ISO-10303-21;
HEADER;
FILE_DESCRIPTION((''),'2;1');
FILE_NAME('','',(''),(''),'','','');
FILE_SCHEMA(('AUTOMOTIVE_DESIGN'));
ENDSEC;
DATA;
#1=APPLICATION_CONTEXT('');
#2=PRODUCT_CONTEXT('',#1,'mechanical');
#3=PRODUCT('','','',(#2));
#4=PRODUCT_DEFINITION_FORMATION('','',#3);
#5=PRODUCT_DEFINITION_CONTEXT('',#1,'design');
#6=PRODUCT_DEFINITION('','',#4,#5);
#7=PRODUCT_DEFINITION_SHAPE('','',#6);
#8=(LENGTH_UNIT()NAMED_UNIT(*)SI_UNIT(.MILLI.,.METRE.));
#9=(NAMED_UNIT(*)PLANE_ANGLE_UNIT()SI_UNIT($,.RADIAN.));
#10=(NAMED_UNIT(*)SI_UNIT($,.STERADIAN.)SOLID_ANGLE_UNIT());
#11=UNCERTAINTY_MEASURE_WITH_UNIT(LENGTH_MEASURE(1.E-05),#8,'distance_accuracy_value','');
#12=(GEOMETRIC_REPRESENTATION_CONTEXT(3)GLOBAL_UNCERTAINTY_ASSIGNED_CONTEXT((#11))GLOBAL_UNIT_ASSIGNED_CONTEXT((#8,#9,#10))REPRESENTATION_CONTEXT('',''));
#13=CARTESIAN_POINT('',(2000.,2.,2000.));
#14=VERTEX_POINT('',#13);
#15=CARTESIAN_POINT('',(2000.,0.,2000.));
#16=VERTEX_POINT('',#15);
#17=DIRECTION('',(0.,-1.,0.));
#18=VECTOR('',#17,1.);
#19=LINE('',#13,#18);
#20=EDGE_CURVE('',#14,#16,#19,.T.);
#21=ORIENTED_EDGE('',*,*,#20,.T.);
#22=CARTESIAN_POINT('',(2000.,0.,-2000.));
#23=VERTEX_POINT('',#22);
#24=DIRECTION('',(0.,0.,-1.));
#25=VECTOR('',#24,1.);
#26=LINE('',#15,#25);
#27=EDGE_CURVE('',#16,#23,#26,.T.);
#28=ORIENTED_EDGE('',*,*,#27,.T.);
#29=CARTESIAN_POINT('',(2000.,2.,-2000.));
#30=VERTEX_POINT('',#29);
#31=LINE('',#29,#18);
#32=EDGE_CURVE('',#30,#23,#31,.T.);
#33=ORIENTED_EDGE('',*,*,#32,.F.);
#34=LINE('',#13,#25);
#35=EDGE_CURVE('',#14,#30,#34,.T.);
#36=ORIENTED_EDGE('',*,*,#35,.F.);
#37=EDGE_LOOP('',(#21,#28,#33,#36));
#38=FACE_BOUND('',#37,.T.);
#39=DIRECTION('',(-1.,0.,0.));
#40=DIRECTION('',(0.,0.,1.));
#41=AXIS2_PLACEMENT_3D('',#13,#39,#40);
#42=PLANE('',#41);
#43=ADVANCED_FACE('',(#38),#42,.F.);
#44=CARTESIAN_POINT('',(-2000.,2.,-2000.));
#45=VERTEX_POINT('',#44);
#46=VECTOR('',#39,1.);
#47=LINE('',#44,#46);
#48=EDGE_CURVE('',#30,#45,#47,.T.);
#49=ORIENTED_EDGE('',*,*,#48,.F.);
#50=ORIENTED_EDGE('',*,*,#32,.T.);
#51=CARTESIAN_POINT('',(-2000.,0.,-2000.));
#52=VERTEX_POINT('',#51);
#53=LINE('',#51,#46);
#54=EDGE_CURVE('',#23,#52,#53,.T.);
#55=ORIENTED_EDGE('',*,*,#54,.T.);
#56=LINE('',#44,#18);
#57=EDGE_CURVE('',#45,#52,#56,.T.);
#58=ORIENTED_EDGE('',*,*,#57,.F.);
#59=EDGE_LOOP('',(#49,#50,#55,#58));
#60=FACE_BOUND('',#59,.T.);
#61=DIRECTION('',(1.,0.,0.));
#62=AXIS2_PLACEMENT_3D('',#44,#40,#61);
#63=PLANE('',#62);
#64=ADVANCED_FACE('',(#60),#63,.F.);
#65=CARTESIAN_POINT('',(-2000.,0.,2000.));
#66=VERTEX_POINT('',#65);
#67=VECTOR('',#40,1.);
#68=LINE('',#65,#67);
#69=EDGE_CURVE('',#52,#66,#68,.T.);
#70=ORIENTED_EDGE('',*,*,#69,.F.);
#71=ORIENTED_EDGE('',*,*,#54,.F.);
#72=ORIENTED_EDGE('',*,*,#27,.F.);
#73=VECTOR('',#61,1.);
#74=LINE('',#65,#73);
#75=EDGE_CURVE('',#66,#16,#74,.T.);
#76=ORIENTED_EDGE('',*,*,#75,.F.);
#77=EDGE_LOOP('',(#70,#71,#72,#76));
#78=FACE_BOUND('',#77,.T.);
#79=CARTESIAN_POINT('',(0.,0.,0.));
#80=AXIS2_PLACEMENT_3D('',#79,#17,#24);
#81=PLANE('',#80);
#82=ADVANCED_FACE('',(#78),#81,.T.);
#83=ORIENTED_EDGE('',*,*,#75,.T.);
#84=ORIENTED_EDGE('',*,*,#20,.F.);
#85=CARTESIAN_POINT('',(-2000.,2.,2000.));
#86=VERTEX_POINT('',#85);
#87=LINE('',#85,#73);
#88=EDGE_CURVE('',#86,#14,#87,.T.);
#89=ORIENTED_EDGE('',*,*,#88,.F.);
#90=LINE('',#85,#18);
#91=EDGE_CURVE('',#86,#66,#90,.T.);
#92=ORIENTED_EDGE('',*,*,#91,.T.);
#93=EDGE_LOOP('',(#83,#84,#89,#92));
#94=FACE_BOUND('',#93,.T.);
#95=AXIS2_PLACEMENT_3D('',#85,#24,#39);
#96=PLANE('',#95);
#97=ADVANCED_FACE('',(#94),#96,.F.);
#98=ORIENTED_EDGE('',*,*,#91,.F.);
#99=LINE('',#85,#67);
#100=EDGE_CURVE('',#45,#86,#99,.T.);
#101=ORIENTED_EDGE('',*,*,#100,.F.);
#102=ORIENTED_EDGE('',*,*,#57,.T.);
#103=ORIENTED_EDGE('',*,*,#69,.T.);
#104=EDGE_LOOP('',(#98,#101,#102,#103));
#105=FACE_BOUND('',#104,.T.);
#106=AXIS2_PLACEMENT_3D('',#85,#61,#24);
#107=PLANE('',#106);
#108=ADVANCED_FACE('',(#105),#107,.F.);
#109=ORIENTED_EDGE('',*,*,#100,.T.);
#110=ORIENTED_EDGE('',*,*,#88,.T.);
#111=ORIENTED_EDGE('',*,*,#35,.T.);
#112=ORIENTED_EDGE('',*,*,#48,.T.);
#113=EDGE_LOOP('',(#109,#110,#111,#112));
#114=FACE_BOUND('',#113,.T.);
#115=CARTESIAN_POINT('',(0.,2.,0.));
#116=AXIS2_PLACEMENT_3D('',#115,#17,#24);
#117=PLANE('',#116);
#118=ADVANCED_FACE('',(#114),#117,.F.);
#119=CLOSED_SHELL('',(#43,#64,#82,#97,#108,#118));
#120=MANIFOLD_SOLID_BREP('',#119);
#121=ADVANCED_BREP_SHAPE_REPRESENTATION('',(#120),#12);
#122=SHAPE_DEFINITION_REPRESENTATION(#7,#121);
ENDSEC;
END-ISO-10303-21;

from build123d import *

# Parameters (mm, degrees)
SKETCH_1_W      = 4000
SKETCH_1_H      = 4000
EXTRUDE_1_DEPTH = 2


with BuildPart() as part:
    # Эскиз1 → Бобышка-Вытянуть1 (new body)
    with BuildSketch(Plane(origin=(0, 0, 0), x_dir=(1, 0, 0), z_dir=(0, 1, 0))):
        Rectangle(SKETCH_1_W, SKETCH_1_H)
    extrude(amount=EXTRUDE_1_DEPTH)


solid = part.part
